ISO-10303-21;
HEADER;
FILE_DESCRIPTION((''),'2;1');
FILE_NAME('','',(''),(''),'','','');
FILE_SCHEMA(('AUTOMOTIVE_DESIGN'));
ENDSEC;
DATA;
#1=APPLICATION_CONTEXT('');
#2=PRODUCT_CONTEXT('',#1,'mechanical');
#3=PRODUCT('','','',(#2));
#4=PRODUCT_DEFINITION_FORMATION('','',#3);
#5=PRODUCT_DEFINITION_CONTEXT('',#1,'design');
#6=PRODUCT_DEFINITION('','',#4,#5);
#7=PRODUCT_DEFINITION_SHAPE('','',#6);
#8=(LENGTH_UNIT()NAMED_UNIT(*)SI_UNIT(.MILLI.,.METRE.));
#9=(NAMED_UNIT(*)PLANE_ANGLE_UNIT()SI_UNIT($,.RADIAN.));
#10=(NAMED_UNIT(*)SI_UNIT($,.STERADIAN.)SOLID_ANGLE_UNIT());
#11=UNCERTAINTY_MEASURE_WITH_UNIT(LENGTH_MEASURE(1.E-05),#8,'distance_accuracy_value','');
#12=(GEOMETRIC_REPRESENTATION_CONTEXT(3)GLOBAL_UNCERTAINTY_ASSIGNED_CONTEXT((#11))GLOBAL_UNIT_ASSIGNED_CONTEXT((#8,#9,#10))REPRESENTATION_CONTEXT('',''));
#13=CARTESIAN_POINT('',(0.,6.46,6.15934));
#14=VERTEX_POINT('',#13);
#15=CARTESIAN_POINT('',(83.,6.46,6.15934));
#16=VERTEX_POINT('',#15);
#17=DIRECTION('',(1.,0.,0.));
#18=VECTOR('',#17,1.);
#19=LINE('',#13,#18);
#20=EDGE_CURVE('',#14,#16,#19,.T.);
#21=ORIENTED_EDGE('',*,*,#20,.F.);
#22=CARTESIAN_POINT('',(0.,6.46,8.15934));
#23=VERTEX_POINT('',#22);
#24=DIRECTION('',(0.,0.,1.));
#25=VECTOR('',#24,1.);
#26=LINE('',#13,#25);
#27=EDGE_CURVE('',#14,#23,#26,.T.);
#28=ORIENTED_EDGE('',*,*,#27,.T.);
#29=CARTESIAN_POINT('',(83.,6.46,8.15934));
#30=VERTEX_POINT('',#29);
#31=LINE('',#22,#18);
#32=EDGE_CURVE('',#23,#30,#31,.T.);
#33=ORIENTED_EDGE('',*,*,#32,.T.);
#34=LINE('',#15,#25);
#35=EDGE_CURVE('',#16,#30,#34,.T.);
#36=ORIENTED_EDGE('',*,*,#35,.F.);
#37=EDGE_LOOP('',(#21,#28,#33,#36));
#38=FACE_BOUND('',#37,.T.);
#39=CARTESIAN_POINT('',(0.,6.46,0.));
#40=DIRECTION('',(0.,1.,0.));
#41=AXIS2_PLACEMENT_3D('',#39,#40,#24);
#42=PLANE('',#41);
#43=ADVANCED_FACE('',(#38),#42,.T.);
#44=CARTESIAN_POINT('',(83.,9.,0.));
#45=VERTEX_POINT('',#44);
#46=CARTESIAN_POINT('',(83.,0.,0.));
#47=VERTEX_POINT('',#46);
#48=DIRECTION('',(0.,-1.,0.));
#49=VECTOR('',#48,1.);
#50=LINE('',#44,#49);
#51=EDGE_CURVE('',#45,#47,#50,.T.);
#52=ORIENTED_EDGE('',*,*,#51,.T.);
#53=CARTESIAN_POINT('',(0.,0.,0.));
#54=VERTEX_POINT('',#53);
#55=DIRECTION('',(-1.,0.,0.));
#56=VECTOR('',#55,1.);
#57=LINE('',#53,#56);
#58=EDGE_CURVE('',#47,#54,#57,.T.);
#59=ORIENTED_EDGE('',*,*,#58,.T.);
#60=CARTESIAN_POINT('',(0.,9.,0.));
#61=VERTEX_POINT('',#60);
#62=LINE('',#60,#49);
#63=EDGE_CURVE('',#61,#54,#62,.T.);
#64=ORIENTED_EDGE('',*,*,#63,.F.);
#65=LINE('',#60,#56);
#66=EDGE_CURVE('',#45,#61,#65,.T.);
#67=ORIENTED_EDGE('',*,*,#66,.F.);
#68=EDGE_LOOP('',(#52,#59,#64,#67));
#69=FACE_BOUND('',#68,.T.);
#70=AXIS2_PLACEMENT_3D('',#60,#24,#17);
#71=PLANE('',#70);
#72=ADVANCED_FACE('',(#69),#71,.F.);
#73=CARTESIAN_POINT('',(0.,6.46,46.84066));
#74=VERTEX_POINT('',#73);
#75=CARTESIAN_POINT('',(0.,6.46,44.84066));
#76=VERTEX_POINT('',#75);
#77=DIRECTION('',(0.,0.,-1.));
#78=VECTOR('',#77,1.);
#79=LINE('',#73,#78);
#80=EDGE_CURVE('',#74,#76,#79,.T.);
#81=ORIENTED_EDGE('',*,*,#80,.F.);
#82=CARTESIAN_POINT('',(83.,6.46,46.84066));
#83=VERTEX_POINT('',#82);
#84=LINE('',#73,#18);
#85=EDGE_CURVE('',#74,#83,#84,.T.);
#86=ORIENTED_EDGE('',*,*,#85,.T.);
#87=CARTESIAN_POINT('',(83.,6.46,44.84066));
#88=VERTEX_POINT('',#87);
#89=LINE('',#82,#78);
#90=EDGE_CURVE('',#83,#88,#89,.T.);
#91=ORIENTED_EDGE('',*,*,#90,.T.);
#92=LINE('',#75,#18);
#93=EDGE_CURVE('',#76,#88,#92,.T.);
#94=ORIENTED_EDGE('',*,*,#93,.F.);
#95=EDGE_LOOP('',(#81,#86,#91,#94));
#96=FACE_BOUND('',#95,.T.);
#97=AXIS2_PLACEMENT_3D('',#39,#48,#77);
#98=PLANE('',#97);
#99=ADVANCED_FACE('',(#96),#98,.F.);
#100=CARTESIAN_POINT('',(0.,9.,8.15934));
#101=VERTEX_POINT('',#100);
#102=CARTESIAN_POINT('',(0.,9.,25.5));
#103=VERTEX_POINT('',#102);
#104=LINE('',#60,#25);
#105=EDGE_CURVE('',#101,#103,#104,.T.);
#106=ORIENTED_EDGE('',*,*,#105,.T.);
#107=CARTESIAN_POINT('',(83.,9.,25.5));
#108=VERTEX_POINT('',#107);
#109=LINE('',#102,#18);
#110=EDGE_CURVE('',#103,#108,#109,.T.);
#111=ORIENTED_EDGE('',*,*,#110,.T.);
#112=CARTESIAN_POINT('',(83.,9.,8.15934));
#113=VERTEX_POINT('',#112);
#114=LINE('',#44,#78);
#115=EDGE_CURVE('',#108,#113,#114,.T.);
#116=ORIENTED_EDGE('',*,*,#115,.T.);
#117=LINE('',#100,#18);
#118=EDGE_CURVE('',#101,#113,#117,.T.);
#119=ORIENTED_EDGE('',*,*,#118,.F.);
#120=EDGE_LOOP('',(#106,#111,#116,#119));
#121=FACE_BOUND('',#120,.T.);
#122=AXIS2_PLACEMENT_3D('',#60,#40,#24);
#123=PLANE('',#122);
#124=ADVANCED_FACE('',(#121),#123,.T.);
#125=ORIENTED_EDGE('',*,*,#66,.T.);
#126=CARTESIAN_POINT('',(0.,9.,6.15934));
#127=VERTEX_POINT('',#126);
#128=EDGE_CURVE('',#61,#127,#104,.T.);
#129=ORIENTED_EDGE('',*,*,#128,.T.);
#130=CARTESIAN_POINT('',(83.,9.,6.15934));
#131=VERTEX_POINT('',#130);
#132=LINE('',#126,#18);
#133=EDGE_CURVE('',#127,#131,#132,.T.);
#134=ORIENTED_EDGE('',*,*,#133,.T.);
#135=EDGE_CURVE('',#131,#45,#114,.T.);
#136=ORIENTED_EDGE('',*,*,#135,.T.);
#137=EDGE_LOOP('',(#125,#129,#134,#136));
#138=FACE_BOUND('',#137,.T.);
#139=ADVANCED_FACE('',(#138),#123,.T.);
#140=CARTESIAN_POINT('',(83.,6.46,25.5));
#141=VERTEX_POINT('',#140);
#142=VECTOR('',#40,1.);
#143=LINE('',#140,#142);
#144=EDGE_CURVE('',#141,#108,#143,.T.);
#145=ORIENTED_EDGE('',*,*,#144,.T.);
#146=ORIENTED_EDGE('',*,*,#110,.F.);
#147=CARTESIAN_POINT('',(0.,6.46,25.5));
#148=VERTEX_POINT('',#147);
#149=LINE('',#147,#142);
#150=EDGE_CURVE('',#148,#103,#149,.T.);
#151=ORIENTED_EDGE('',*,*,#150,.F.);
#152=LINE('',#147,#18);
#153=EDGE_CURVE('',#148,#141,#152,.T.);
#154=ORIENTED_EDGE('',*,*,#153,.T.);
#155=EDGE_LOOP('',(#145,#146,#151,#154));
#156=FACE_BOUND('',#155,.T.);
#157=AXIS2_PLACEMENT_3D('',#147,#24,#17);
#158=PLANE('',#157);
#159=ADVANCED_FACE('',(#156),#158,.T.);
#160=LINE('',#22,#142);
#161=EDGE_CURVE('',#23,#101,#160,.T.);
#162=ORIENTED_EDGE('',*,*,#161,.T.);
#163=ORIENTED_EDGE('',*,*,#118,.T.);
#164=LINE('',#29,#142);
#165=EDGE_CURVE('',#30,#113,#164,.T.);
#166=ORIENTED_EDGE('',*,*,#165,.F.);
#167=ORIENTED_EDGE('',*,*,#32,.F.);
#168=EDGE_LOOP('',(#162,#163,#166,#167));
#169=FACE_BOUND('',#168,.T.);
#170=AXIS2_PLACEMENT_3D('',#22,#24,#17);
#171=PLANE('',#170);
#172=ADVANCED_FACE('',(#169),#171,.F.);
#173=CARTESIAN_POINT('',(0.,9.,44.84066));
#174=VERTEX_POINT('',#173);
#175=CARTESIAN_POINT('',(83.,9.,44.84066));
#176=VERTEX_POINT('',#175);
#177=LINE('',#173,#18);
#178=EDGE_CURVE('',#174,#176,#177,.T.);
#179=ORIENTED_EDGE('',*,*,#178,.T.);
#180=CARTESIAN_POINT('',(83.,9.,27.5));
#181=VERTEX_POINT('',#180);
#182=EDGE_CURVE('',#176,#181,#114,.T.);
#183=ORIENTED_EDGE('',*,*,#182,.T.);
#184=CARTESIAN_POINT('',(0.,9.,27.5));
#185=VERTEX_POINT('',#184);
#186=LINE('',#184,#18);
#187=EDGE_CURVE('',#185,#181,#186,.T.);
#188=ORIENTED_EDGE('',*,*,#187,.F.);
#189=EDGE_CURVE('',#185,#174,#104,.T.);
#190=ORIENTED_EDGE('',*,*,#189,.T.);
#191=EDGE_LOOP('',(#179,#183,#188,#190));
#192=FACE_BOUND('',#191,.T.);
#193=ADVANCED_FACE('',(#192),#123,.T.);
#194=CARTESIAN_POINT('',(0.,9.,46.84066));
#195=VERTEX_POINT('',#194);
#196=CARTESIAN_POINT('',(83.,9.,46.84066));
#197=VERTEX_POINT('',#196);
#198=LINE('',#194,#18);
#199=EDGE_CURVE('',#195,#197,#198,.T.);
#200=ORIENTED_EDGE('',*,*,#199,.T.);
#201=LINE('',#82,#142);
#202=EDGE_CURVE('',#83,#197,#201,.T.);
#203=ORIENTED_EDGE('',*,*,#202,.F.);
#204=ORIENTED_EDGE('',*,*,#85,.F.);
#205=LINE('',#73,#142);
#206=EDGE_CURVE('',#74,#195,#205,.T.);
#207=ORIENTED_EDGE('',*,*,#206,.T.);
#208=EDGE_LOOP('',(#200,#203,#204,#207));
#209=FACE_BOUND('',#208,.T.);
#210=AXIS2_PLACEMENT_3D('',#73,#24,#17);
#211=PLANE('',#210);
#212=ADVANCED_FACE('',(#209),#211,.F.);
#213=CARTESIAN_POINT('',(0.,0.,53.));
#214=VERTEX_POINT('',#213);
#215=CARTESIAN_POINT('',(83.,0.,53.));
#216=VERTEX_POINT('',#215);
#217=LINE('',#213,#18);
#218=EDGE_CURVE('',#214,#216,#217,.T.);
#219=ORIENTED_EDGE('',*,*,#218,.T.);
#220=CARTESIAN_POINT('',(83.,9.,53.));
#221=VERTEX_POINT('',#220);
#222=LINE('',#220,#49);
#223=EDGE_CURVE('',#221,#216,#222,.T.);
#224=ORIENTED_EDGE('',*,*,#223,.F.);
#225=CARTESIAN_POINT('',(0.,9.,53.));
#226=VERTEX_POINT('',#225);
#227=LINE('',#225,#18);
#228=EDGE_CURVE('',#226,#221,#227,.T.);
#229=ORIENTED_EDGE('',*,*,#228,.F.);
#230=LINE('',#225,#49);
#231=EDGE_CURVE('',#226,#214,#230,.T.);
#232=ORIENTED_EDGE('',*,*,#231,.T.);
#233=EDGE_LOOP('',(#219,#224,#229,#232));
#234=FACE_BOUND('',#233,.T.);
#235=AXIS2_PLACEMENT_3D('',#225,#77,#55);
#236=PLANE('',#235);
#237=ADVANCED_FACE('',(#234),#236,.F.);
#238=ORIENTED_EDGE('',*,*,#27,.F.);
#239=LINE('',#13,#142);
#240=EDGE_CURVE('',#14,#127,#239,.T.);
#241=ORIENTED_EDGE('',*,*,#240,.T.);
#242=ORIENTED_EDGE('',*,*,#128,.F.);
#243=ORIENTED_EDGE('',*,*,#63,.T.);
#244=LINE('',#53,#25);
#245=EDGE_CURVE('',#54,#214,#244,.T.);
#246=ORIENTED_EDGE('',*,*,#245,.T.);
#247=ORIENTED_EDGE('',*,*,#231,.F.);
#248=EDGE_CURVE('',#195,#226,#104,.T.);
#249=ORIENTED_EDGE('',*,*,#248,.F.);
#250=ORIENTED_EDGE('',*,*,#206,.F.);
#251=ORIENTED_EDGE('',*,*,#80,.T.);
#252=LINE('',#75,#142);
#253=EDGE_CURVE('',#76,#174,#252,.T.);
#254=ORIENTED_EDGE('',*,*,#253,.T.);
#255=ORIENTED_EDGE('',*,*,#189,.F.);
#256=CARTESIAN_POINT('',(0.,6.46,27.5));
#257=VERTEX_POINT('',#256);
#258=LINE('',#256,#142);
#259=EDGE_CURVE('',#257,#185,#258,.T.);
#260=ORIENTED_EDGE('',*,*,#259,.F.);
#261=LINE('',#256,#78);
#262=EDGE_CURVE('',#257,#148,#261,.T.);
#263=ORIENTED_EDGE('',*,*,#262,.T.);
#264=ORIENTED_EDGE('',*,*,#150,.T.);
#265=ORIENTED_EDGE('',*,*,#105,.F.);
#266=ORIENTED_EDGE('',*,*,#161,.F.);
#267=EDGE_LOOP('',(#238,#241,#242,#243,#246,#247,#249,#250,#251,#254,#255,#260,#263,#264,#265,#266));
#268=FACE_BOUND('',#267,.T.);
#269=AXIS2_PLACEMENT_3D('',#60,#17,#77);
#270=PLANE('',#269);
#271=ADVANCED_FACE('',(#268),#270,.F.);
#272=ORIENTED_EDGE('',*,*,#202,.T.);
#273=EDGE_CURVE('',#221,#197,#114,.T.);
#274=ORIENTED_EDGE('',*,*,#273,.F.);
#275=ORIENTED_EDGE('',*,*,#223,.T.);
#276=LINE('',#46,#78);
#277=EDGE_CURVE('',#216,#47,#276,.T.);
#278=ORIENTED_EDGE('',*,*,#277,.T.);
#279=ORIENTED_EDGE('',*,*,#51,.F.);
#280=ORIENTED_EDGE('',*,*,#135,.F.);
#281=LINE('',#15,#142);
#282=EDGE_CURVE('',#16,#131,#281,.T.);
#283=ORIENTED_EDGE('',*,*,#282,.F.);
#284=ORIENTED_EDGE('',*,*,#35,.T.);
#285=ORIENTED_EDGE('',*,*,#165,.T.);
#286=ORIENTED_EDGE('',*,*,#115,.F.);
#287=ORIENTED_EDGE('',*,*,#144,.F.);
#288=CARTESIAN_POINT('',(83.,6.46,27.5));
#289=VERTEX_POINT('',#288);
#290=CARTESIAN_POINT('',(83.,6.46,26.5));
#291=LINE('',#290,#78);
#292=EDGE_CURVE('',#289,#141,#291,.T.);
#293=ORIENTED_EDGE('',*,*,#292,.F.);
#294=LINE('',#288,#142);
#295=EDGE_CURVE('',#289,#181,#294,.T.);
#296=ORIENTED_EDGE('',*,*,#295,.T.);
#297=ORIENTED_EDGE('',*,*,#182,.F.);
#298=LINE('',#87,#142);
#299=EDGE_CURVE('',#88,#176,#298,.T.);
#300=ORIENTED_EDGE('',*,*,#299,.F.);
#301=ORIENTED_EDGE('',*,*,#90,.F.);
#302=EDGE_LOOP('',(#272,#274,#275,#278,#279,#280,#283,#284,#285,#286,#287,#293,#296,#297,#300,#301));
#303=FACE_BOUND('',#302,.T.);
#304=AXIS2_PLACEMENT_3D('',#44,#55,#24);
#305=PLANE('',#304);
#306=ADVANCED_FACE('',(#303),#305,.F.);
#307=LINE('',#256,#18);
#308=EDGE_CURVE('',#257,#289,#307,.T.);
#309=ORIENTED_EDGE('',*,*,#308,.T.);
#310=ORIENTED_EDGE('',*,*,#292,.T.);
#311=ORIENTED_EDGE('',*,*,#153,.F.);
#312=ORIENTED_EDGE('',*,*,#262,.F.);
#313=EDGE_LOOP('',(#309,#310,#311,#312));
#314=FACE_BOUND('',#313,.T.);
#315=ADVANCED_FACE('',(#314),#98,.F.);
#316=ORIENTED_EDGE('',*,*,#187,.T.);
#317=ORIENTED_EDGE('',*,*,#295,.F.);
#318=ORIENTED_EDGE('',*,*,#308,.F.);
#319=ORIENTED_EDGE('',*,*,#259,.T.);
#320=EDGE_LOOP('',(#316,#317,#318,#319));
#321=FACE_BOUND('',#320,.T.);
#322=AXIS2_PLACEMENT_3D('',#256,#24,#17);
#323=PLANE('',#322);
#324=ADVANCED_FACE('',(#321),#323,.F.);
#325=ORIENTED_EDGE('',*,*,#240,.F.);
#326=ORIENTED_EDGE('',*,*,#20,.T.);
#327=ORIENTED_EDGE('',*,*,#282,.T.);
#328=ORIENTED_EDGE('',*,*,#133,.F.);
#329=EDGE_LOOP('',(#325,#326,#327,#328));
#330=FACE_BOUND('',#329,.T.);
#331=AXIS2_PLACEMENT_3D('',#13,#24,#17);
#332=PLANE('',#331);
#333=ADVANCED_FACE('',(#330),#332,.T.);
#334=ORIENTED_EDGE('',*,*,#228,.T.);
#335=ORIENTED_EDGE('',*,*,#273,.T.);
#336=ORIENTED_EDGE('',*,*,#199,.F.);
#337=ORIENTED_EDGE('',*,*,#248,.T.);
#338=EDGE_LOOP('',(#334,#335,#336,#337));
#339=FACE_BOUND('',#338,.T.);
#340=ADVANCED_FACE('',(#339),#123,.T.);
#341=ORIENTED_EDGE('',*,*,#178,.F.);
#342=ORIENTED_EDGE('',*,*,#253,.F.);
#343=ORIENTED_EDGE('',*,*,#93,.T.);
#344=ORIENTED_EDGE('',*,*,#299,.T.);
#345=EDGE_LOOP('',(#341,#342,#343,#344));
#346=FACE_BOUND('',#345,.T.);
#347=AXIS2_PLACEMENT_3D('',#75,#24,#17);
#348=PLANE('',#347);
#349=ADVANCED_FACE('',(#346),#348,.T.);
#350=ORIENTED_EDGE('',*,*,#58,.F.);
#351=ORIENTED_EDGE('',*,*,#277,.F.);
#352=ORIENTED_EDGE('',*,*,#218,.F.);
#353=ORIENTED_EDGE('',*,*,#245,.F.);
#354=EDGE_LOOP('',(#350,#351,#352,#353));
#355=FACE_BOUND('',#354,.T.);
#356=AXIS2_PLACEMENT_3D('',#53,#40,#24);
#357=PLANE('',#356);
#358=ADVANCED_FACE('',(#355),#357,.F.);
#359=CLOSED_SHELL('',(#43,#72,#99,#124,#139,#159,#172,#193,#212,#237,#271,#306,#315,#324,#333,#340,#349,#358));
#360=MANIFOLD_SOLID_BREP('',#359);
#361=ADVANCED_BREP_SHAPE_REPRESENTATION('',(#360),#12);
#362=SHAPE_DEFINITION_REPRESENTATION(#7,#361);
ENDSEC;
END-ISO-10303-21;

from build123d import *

# Parameters (mm, degrees)
SKETCH1_W           = 83
SKETCH1_H           = 53
BOSS_EXTRUDE1_DEPTH = 9
SKETCH2_W           = 83
SKETCH2_H           = 2
CUT_EXTRUDE1_DEPTH  = 2.54


with BuildPart() as part:
    # Sketch1 → Boss-Extrude1 (new body)
    with BuildSketch(Plane(origin=(0, 0, 0), x_dir=(1, 0, 0), z_dir=(0, 1, 0))):
        with Locations((41.5, -26.5)):
            Rectangle(SKETCH1_W, SKETCH1_H)
    extrude(amount=BOSS_EXTRUDE1_DEPTH)

    # Sketch2 → Cut-Extrude1 (cut)
    with BuildSketch(Plane(origin=(0, 9, 0), x_dir=(1, 0, 0), z_dir=(0, 1, 0))):
        Polygon((0, -27.5), (0, -25.5), (83, -25.5), (83, -26.5), (83, -27.5), align=None)
        with Locations((41.5, -7.159340371)):
            Rectangle(SKETCH2_W, SKETCH2_H)
        with Locations((41.5, -45.840659629)):
            Rectangle(SKETCH2_W, SKETCH2_H)
    extrude(amount=-CUT_EXTRUDE1_DEPTH, mode=Mode.SUBTRACT)


solid = part.part
